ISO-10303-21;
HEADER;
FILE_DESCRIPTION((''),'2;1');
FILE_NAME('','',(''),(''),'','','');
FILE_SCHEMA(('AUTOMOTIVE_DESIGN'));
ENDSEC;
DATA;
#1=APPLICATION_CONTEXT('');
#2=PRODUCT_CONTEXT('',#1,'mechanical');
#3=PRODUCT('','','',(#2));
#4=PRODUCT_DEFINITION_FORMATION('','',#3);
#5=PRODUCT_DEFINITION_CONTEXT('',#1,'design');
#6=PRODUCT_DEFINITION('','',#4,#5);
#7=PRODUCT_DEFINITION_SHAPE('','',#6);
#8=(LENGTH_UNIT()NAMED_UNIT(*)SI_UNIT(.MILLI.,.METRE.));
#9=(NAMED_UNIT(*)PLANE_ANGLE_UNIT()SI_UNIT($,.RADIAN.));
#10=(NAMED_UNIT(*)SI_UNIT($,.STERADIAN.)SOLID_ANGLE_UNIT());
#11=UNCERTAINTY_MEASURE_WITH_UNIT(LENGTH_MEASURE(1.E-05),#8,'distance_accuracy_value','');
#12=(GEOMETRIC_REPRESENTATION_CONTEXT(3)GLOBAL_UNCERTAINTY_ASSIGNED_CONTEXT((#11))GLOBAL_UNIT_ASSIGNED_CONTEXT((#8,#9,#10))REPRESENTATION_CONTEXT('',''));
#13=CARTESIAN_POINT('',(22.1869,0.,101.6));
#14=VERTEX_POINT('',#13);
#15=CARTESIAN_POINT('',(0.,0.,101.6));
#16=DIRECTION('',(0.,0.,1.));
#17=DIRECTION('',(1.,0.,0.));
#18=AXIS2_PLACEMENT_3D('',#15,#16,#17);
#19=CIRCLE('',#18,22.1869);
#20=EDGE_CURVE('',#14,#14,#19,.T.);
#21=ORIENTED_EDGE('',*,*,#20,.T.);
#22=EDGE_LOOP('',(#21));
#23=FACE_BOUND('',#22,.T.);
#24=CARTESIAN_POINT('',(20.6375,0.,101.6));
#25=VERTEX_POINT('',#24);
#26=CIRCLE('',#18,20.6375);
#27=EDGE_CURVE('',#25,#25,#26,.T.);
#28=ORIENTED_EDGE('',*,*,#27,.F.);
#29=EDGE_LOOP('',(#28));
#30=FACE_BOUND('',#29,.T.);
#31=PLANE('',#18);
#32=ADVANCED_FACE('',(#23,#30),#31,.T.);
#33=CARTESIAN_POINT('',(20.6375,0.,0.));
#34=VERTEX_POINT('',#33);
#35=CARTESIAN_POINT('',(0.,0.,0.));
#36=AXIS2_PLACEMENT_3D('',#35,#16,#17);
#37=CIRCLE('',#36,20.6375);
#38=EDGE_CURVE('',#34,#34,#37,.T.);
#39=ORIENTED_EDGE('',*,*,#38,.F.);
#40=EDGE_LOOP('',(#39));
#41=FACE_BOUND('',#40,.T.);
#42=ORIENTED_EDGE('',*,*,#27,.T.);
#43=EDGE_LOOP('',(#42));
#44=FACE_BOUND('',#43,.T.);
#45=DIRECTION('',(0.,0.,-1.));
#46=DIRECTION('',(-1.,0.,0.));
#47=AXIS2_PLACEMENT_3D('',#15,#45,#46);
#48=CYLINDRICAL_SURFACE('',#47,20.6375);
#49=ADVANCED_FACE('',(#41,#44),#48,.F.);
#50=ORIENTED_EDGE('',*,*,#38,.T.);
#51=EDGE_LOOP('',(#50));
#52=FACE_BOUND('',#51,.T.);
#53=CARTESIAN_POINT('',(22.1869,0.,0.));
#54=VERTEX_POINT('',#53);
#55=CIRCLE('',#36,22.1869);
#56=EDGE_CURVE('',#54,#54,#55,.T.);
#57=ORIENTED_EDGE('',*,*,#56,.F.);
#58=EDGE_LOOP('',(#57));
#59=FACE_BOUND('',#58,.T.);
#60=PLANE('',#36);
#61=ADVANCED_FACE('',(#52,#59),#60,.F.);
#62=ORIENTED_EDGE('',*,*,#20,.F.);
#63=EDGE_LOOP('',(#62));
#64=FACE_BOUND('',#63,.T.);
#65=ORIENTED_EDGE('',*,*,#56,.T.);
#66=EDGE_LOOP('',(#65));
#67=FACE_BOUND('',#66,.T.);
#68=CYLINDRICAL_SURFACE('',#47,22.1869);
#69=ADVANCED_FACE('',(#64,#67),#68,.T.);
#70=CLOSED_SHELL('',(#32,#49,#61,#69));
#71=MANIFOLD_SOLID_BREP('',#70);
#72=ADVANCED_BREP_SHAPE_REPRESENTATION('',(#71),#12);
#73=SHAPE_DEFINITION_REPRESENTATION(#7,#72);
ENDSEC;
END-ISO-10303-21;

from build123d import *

# Parameters (mm, degrees)
SKETCH1_R           = 22.1869
SKETCH1_R_2         = 20.6375
BOSS_EXTRUDE1_DEPTH = 101.6


with BuildPart() as part:
    # Sketch1 → Boss-Extrude1 (new body)
    with BuildSketch(Plane.XY):
        Circle(SKETCH1_R)
        Circle(SKETCH1_R_2, mode=Mode.SUBTRACT)
    extrude(amount=BOSS_EXTRUDE1_DEPTH)


solid = part.part
